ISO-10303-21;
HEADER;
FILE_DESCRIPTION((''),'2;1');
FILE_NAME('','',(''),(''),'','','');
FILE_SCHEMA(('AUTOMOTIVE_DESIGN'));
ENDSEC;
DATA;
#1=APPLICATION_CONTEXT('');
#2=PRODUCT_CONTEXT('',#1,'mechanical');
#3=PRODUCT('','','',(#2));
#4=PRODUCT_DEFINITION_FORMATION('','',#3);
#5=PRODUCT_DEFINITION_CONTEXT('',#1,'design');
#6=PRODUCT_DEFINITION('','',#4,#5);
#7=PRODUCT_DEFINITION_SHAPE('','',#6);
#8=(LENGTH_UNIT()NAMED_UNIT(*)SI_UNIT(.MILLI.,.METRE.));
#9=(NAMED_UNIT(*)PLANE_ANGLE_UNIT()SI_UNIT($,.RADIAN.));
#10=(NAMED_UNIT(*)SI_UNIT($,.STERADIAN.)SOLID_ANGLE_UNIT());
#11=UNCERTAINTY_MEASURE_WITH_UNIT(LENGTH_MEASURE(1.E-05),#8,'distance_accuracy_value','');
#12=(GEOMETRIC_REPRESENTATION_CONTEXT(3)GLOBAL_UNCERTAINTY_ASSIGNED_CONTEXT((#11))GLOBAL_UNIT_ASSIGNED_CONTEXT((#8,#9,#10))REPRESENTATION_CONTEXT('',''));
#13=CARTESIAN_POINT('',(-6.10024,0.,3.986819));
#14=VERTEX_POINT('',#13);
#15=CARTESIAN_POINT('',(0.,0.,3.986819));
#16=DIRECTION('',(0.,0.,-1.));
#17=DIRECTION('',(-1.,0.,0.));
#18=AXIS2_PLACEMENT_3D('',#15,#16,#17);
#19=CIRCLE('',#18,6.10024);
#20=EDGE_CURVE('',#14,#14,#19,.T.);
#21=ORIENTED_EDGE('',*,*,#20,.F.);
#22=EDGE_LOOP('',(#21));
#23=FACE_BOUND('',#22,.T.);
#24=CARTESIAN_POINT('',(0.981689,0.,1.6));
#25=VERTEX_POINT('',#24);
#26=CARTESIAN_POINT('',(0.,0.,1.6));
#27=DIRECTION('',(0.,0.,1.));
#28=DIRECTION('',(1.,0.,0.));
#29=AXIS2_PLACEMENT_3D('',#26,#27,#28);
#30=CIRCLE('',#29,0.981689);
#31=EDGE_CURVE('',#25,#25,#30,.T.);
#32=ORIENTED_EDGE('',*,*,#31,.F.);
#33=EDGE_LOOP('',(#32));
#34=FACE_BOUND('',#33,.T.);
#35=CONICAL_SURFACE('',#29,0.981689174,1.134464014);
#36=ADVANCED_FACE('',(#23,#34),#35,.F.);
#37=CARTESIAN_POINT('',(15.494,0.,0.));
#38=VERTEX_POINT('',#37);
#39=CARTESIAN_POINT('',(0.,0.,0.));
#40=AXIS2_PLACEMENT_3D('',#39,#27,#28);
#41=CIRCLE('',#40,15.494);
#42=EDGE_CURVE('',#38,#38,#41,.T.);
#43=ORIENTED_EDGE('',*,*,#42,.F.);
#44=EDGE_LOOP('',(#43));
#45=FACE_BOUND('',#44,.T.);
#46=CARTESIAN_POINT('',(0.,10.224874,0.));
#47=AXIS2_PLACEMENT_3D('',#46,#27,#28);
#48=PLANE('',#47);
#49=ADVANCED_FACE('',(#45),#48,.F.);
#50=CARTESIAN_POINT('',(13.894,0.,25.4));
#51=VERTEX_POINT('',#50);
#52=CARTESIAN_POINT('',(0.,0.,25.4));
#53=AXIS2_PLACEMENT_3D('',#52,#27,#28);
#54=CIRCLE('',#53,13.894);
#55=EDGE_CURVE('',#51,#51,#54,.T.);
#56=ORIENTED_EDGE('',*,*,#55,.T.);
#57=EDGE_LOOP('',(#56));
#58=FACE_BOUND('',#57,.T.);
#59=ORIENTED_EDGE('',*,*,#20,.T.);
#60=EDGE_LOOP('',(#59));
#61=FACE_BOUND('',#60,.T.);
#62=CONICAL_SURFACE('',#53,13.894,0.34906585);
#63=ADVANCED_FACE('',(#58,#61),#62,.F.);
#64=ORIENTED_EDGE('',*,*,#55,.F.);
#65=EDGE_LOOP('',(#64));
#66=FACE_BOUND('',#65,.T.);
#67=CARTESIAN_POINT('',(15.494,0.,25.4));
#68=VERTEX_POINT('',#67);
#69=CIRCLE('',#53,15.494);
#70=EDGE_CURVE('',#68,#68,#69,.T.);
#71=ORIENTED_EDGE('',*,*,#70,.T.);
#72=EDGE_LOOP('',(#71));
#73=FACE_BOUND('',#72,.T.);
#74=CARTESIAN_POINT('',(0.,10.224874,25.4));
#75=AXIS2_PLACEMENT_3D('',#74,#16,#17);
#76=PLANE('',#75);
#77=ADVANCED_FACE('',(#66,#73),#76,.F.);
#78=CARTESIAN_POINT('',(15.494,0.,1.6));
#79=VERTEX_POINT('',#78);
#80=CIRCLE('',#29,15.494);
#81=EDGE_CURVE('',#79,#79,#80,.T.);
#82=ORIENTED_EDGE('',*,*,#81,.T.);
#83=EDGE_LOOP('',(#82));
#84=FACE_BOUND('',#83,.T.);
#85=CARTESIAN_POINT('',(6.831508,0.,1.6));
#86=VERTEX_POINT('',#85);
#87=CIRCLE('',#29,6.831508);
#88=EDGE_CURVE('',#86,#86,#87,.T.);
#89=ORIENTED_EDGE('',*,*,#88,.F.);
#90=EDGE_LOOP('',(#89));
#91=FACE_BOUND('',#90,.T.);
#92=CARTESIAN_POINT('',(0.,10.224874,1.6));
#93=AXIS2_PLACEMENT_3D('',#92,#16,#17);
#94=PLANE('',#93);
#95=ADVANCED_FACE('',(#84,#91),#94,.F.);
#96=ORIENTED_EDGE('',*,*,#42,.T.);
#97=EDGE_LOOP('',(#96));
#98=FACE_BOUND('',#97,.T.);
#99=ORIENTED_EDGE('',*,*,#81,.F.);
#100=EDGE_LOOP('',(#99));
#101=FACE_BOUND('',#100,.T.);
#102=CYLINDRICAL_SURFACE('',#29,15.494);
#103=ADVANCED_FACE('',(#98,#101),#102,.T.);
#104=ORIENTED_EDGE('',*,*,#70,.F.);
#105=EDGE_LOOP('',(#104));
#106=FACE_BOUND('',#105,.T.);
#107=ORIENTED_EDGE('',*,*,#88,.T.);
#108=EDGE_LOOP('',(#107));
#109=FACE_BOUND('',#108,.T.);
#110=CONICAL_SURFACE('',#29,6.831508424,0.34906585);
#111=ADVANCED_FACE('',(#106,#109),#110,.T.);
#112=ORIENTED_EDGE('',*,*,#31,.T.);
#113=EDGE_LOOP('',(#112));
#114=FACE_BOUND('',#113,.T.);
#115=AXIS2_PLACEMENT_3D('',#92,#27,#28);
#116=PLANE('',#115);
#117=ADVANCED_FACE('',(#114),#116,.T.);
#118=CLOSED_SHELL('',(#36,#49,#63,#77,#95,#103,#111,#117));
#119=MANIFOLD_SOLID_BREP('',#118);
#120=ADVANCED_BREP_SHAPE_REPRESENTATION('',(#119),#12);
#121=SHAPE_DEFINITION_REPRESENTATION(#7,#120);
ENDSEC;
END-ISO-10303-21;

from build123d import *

# Parameters (mm, degrees)
CHAMFER1_SIZE  = 4.24981925
CHAMFER1_SIZE2 = 2.54


with BuildPart() as part:
    # Sketch1 → Revolve2 (revolve)
    with BuildSketch(Plane(origin=(0, 0, 0), x_dir=(0, 0, -1), z_dir=(1, 0, 0)), mode=Mode.PRIVATE) as revolve2_sk:
        Polygon((-1.6, 0), (-1.6, 5.231508424), (-25.4, 13.894), (-25.4, 15.494), (-1.6, 6.831508424), (-1.6, 15.494), (0, 15.494), (0, 0), align=None)
    revolve(revolve2_sk.sketch.rotate(Axis((0, 0, 1.6), (0, 0, -1)), 90), axis=Axis((0, 0, 1.6), (0, 0, -1)))  # turned: the seam where the file's is

    # Chamfer1
    chamfer1_edges = [part.edges().sort_by_distance(p)[0] for p in [
        (-5.231508424, 0, 1.6),
    ]]
    chamfer1_side = [part.faces().sort_by_distance(p)[0] for p in [
        (0, 0, 1.6),
    ]]
    chamfer(chamfer1_edges, length=CHAMFER1_SIZE, length2=CHAMFER1_SIZE2, reference=chamfer1_side[0])


solid = part.part
